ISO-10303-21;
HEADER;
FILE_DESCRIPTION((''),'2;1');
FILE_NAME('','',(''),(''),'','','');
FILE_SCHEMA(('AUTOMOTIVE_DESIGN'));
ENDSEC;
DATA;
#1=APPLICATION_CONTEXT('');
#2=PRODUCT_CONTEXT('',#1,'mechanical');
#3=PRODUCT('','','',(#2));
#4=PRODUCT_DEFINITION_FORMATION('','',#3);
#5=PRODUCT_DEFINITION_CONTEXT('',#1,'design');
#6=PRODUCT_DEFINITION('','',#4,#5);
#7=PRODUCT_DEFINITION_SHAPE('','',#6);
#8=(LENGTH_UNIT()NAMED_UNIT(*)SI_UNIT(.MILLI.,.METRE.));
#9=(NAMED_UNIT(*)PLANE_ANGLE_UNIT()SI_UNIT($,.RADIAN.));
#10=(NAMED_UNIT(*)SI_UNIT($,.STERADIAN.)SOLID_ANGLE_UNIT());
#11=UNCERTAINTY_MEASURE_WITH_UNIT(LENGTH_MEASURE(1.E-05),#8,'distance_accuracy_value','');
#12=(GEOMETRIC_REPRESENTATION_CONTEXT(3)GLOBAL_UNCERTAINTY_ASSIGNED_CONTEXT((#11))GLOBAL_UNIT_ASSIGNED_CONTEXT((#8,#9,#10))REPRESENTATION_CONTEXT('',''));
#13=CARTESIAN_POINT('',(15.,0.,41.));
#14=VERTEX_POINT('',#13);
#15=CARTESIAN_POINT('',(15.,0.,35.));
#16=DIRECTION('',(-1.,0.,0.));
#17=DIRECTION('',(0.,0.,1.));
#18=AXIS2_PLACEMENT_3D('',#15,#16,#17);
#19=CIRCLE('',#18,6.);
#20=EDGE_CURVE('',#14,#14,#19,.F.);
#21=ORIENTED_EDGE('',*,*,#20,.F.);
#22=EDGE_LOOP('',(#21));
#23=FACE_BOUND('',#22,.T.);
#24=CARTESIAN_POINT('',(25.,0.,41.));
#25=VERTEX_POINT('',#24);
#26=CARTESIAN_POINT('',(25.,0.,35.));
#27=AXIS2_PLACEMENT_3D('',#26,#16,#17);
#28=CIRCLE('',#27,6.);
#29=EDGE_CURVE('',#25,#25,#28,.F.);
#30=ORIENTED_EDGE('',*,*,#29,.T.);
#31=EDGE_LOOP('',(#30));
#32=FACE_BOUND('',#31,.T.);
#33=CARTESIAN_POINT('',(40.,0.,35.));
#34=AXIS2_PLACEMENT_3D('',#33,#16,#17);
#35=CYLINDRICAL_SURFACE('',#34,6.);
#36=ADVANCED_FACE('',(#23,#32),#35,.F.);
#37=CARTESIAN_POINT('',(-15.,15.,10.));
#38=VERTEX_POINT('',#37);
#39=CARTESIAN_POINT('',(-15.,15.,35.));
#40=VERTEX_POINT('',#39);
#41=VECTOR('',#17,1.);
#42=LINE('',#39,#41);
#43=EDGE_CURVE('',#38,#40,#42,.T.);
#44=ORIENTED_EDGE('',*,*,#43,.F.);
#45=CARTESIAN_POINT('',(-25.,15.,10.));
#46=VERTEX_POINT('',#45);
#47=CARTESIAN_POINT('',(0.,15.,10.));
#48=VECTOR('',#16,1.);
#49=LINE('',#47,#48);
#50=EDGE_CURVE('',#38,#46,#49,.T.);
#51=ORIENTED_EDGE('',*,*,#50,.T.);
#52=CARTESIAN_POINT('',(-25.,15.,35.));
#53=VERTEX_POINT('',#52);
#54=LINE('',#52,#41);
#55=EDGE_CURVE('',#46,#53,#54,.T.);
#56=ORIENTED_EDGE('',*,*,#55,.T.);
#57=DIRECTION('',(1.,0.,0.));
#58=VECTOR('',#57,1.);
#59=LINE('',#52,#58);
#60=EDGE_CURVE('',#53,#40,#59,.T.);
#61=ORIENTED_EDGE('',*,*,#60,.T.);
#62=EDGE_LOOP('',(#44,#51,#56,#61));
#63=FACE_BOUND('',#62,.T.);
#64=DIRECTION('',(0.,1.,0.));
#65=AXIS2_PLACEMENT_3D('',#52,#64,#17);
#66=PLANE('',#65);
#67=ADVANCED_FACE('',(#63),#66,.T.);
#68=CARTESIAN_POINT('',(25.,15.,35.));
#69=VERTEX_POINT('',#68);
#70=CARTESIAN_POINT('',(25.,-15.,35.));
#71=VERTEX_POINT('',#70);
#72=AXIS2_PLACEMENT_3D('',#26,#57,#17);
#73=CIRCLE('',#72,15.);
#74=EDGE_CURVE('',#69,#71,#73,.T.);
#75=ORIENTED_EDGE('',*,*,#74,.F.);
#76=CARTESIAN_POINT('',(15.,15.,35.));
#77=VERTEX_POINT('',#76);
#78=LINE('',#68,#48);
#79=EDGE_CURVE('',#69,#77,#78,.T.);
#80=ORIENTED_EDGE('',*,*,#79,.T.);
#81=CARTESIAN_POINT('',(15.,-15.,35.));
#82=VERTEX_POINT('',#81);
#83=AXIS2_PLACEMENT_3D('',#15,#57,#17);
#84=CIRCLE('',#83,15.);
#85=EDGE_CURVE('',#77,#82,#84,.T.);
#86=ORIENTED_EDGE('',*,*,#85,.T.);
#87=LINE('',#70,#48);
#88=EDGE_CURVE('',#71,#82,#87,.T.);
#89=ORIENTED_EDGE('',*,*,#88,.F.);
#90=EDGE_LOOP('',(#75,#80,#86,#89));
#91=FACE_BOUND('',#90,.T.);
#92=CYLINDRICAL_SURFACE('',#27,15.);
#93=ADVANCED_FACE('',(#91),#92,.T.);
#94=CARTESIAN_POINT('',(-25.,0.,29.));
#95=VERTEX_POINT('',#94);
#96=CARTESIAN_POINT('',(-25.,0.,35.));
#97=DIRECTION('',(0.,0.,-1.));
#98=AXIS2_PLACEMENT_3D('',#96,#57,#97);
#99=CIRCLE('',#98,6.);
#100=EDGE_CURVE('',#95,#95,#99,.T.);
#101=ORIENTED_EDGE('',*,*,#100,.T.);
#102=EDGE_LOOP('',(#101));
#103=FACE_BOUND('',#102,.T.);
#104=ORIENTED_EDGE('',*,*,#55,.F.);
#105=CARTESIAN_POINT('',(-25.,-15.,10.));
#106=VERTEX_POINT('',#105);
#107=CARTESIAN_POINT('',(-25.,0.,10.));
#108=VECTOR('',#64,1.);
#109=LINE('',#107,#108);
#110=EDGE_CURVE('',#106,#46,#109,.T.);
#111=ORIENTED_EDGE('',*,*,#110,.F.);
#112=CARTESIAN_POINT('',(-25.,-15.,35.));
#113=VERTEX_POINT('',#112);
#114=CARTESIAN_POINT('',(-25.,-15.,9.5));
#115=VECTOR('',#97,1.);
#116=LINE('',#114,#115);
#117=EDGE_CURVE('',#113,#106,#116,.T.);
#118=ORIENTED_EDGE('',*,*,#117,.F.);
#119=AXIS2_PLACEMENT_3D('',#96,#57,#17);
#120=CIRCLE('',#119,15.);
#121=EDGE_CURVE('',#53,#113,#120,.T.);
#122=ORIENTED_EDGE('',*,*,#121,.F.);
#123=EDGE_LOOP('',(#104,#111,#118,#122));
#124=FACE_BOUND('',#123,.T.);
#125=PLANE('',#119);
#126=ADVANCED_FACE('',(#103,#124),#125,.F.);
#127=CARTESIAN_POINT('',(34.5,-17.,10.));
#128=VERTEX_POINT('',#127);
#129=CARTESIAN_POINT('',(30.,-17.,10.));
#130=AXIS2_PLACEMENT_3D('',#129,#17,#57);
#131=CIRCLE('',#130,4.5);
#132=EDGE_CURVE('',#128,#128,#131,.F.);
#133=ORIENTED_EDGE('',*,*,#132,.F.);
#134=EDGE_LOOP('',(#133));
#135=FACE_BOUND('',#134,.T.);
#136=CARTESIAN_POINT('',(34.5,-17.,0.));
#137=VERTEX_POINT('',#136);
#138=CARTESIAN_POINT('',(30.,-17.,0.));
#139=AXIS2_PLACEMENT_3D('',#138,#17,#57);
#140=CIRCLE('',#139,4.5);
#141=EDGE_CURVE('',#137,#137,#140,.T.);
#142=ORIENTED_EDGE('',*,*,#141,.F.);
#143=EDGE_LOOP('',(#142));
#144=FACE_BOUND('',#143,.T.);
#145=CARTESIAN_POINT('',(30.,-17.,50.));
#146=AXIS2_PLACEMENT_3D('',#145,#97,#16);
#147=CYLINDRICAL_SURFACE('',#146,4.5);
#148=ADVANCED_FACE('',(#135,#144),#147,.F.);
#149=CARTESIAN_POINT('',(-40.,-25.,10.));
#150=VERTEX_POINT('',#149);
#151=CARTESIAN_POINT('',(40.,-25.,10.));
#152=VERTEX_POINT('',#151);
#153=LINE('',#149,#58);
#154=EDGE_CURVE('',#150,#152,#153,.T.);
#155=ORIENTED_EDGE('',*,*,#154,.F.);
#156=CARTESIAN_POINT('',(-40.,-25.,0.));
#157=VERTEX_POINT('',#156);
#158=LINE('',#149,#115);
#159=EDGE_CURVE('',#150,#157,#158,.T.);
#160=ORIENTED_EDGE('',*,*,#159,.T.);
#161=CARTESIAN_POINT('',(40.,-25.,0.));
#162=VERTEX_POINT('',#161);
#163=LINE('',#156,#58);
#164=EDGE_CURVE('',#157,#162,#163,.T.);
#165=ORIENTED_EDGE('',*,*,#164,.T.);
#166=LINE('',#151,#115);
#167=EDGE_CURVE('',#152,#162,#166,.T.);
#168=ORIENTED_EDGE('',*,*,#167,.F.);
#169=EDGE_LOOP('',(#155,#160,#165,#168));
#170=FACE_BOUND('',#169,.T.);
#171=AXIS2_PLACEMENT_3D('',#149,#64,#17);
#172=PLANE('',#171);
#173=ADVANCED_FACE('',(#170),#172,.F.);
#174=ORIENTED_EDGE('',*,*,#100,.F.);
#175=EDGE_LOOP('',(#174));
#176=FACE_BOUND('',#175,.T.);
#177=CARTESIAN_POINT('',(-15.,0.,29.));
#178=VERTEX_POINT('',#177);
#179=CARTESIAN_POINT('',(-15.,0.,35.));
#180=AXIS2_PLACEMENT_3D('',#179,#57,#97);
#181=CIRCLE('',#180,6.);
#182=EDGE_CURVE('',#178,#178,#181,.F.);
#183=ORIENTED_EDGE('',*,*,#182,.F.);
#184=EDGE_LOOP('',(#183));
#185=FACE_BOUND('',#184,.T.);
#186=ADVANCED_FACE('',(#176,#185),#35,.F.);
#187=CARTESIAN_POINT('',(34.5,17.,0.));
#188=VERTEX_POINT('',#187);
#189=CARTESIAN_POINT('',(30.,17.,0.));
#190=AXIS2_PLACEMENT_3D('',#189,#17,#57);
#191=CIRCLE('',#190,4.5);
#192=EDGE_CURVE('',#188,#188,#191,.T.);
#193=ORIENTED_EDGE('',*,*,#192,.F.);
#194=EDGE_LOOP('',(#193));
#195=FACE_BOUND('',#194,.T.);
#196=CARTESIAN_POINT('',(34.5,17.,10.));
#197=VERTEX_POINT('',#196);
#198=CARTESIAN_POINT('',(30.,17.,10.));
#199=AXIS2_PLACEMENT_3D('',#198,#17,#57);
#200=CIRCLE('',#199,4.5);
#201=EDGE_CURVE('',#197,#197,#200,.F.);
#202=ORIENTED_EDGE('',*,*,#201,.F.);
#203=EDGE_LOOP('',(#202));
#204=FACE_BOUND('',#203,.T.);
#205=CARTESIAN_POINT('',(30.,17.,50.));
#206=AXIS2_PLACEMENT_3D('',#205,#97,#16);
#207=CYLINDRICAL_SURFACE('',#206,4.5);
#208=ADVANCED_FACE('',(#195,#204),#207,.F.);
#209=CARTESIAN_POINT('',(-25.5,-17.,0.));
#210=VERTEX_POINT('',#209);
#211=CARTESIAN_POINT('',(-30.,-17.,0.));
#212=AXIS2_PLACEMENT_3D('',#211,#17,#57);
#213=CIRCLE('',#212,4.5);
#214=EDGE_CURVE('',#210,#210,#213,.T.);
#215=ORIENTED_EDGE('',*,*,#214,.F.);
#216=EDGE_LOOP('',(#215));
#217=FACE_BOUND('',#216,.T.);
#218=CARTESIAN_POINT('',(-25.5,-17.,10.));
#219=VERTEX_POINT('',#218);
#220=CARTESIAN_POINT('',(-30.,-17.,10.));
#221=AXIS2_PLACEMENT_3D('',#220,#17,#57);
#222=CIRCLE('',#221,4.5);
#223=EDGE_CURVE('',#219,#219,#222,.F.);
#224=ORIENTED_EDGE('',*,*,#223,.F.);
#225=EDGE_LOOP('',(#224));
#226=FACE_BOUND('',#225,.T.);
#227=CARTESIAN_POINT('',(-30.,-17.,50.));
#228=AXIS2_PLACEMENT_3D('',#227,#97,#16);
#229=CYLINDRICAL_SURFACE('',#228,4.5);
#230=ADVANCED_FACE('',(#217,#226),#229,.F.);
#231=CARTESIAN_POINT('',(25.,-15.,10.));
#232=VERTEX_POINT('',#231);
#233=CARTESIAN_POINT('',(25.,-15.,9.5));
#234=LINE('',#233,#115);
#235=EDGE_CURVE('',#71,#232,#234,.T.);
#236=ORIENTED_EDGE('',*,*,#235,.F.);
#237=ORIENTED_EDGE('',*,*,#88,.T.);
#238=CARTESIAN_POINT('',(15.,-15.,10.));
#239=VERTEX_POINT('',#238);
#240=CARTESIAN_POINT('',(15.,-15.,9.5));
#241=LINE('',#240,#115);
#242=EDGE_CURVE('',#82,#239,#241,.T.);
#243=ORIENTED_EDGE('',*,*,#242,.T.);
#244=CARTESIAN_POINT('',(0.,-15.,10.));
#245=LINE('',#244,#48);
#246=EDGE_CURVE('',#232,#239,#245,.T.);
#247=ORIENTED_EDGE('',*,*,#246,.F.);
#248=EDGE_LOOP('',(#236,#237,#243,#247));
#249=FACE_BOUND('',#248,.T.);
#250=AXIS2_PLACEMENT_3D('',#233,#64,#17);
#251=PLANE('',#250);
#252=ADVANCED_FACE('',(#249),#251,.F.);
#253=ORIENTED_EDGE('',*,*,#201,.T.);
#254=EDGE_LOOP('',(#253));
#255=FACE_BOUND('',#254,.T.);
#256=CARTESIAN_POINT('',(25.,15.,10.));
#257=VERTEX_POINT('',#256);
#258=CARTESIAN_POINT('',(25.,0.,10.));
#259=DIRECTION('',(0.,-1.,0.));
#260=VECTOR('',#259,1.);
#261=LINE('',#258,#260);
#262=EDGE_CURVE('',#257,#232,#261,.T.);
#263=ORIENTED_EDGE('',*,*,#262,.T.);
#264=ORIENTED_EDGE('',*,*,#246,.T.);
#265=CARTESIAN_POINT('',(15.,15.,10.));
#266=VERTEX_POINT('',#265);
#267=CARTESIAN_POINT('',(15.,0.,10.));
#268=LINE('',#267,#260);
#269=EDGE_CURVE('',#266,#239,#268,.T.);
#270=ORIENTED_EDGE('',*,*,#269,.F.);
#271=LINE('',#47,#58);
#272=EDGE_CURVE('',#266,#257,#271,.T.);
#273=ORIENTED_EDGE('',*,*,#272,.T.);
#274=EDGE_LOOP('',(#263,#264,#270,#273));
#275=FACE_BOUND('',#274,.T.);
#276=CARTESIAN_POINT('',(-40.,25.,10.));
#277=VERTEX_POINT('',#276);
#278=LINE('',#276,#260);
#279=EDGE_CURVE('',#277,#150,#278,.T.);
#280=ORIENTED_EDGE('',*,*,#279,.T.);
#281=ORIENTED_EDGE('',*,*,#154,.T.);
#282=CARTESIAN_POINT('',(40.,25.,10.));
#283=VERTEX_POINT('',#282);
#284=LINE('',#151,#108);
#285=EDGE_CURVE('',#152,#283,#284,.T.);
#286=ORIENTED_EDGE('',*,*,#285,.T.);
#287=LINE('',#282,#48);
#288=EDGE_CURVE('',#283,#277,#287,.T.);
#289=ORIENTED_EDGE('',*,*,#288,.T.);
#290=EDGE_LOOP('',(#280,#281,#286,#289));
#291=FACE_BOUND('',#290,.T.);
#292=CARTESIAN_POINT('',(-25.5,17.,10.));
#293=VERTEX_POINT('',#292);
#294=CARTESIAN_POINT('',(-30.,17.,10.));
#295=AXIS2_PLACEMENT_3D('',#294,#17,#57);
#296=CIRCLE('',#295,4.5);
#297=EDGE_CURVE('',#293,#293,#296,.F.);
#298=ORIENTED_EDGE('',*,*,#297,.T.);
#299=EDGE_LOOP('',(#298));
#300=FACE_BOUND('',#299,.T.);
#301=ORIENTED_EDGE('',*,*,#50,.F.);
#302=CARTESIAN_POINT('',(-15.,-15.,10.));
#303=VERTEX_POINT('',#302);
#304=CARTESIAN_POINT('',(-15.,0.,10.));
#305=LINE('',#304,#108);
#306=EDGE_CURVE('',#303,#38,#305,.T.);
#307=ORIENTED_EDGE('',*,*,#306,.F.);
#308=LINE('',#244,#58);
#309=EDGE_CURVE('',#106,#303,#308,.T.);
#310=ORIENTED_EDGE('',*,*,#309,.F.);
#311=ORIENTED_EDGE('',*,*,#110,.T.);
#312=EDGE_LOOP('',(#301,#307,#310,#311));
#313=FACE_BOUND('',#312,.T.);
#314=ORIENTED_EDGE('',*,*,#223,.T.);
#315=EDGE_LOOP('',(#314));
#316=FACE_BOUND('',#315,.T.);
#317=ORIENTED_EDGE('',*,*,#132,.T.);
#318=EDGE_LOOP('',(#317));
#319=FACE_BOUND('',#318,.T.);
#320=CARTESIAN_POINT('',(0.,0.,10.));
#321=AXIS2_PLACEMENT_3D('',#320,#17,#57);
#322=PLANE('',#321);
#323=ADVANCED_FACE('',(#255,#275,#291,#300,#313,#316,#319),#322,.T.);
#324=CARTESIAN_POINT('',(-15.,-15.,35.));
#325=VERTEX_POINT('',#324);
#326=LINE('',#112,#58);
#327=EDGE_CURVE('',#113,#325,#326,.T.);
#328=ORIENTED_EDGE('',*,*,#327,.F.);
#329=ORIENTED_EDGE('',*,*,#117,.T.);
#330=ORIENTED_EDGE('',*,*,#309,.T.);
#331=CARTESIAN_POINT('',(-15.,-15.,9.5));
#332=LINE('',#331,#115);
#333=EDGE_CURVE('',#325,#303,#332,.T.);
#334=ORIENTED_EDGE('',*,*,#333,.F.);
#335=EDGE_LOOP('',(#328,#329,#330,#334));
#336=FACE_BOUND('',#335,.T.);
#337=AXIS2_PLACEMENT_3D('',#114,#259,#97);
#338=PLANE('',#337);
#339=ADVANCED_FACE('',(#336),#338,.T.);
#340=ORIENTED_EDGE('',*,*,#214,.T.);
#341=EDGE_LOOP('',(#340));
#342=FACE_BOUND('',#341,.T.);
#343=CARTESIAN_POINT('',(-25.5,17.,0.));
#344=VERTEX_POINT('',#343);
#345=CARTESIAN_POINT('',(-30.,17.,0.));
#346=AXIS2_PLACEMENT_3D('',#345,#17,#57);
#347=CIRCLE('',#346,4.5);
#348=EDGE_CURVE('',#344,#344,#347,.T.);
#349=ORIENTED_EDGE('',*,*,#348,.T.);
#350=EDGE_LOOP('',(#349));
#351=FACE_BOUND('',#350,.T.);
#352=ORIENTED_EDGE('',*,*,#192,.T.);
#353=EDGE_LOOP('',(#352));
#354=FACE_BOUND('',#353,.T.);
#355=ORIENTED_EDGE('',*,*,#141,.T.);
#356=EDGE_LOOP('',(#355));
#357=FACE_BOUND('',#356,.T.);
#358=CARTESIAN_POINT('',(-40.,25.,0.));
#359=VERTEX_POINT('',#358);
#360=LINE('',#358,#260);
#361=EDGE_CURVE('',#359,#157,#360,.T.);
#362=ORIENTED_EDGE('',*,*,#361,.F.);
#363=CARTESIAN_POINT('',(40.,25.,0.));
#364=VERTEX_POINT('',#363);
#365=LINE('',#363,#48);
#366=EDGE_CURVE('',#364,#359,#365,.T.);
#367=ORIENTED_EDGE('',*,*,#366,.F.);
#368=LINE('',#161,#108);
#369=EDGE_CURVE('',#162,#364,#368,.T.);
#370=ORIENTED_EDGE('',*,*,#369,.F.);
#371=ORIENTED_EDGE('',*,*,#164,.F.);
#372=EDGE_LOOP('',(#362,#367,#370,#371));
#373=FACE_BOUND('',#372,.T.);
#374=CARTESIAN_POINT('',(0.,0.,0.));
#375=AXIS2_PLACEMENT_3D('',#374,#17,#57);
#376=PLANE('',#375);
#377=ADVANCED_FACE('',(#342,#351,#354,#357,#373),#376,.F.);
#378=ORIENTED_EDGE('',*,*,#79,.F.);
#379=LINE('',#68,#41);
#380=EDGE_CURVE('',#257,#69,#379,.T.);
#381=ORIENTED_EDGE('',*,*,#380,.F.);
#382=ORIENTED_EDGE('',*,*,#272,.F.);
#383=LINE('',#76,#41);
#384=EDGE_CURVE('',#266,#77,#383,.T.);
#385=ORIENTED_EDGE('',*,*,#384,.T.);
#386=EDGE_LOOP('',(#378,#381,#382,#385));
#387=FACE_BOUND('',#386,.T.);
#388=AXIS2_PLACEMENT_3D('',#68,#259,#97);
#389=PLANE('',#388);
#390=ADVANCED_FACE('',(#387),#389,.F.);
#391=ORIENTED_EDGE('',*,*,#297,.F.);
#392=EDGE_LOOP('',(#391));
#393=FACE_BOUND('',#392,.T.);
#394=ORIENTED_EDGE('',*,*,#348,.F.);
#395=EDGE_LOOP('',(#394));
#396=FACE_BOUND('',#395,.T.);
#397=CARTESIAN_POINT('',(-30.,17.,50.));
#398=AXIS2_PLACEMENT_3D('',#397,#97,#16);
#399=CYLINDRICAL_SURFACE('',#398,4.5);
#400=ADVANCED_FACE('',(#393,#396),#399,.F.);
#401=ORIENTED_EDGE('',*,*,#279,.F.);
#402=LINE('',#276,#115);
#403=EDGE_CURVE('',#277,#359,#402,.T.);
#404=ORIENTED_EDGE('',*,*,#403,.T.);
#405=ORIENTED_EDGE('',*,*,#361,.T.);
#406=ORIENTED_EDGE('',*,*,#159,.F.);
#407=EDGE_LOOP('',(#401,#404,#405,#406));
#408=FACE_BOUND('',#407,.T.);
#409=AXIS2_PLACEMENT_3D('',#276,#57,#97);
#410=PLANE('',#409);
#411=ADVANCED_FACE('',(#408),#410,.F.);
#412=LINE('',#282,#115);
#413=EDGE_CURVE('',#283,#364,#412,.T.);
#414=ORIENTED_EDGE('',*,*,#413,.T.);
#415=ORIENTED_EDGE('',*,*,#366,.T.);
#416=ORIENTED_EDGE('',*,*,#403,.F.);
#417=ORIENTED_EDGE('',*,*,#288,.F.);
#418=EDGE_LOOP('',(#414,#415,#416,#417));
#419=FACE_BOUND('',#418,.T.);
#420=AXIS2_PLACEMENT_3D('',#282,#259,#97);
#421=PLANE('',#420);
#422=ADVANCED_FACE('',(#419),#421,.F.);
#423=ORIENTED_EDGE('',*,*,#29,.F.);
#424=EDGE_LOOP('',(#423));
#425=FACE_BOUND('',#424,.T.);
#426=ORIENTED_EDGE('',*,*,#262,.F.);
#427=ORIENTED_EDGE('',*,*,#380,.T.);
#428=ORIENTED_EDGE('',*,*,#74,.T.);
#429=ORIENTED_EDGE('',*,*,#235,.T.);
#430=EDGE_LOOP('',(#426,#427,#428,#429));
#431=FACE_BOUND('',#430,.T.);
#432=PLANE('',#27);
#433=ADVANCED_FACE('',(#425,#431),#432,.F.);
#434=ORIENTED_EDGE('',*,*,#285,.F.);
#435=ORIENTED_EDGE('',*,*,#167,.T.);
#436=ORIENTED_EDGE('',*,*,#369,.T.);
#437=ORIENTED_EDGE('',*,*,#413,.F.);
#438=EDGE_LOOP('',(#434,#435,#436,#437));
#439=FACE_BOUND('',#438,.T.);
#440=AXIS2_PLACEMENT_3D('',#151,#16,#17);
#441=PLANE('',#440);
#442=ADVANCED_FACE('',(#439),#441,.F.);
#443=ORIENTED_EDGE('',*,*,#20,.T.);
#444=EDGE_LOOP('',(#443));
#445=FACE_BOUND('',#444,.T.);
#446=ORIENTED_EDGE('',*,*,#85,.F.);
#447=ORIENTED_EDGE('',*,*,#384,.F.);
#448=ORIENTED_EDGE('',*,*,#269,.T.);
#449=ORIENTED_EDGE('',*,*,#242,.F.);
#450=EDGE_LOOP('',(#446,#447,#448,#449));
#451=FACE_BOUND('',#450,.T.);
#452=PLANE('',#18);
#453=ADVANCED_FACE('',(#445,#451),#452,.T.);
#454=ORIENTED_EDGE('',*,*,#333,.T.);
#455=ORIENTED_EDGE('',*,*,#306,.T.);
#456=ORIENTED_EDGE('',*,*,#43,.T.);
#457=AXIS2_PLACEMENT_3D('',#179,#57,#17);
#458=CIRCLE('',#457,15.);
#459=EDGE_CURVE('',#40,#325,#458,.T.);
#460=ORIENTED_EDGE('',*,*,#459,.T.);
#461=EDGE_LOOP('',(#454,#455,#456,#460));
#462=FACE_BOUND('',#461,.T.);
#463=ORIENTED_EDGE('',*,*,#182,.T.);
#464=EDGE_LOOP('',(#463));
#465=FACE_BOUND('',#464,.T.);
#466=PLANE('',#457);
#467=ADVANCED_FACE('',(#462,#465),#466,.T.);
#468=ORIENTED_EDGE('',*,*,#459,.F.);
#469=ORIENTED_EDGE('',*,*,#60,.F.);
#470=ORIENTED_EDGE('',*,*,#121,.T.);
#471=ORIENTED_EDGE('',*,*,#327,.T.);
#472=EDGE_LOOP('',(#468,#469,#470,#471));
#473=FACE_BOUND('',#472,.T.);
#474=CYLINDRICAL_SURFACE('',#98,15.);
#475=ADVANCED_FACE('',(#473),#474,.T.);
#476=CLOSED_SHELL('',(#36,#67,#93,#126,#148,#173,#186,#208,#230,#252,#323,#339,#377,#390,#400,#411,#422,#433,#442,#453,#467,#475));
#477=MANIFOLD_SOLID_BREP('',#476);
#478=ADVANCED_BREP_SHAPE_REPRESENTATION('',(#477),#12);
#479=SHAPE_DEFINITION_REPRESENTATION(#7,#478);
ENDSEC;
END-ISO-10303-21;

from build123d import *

# Parameters (mm, degrees)
SKETCH_1_W          = 80
SKETCH_1_H          = 50
EXTRUDE_1_DEPTH     = 10
EXTRUDE_2_DEPTH     = 10
SKETCH_3_R          = 6
CUT_EXTRUDE_1_DEPTH = 86.732140997
SKETCH_4_R          = 4.5
CUT_EXTRUDE_2_DEPTH = 69.738635424


with BuildPart() as part:
    # 草图1 → 凸台-拉伸1 (new body)
    with BuildSketch(Plane.XY):
        Rectangle(SKETCH_1_W, SKETCH_1_H)
    extrude(amount=EXTRUDE_1_DEPTH)

    # 草图2 → 凸台-拉伸2 (add)
    with BuildSketch(Plane(origin=(15, 0, 0), x_dir=(0, 0, -1), z_dir=(1, 0, 0))):
        with BuildLine():
            Line((-9.5, -15), (-35, -15))
            ThreePointArc((-35, -15), (-50, 0), (-35, 15))
            Line((-35, 15), (-9.5, 15))
            Line((-9.5, 15), (-9.5, -15))
        make_face()
    extrude_2 = extrude(amount=EXTRUDE_2_DEPTH)

    # 镜向1: 凸台-拉伸2 across plane
    add(extrude_2.mirror(Plane(origin=(0, 0, 0), x_dir=(0, 0, 1), z_dir=(1, 0, 0))))

    # 草图3 → 切除-拉伸1 (cut, through all)
    with BuildSketch(Plane(origin=(-25, 0, 0), x_dir=(0, 0, -1), z_dir=(1, 0, 0))):
        with Locations((-35, 0)):
            Circle(SKETCH_3_R)
    extrude(amount=CUT_EXTRUDE_1_DEPTH, mode=Mode.SUBTRACT)

    # 草图4 → 切除-拉伸2 (cut, through all)
    with BuildSketch(Plane.XY):
        with Locations((30, 17)):
            Circle(SKETCH_4_R)
        with Locations((30, -17)):
            Circle(SKETCH_4_R)
        with Locations((-30, 17)):
            Circle(SKETCH_4_R)
        with Locations((-30, -17)):
            Circle(SKETCH_4_R)
    extrude(amount=CUT_EXTRUDE_2_DEPTH, mode=Mode.SUBTRACT)


solid = part.part
